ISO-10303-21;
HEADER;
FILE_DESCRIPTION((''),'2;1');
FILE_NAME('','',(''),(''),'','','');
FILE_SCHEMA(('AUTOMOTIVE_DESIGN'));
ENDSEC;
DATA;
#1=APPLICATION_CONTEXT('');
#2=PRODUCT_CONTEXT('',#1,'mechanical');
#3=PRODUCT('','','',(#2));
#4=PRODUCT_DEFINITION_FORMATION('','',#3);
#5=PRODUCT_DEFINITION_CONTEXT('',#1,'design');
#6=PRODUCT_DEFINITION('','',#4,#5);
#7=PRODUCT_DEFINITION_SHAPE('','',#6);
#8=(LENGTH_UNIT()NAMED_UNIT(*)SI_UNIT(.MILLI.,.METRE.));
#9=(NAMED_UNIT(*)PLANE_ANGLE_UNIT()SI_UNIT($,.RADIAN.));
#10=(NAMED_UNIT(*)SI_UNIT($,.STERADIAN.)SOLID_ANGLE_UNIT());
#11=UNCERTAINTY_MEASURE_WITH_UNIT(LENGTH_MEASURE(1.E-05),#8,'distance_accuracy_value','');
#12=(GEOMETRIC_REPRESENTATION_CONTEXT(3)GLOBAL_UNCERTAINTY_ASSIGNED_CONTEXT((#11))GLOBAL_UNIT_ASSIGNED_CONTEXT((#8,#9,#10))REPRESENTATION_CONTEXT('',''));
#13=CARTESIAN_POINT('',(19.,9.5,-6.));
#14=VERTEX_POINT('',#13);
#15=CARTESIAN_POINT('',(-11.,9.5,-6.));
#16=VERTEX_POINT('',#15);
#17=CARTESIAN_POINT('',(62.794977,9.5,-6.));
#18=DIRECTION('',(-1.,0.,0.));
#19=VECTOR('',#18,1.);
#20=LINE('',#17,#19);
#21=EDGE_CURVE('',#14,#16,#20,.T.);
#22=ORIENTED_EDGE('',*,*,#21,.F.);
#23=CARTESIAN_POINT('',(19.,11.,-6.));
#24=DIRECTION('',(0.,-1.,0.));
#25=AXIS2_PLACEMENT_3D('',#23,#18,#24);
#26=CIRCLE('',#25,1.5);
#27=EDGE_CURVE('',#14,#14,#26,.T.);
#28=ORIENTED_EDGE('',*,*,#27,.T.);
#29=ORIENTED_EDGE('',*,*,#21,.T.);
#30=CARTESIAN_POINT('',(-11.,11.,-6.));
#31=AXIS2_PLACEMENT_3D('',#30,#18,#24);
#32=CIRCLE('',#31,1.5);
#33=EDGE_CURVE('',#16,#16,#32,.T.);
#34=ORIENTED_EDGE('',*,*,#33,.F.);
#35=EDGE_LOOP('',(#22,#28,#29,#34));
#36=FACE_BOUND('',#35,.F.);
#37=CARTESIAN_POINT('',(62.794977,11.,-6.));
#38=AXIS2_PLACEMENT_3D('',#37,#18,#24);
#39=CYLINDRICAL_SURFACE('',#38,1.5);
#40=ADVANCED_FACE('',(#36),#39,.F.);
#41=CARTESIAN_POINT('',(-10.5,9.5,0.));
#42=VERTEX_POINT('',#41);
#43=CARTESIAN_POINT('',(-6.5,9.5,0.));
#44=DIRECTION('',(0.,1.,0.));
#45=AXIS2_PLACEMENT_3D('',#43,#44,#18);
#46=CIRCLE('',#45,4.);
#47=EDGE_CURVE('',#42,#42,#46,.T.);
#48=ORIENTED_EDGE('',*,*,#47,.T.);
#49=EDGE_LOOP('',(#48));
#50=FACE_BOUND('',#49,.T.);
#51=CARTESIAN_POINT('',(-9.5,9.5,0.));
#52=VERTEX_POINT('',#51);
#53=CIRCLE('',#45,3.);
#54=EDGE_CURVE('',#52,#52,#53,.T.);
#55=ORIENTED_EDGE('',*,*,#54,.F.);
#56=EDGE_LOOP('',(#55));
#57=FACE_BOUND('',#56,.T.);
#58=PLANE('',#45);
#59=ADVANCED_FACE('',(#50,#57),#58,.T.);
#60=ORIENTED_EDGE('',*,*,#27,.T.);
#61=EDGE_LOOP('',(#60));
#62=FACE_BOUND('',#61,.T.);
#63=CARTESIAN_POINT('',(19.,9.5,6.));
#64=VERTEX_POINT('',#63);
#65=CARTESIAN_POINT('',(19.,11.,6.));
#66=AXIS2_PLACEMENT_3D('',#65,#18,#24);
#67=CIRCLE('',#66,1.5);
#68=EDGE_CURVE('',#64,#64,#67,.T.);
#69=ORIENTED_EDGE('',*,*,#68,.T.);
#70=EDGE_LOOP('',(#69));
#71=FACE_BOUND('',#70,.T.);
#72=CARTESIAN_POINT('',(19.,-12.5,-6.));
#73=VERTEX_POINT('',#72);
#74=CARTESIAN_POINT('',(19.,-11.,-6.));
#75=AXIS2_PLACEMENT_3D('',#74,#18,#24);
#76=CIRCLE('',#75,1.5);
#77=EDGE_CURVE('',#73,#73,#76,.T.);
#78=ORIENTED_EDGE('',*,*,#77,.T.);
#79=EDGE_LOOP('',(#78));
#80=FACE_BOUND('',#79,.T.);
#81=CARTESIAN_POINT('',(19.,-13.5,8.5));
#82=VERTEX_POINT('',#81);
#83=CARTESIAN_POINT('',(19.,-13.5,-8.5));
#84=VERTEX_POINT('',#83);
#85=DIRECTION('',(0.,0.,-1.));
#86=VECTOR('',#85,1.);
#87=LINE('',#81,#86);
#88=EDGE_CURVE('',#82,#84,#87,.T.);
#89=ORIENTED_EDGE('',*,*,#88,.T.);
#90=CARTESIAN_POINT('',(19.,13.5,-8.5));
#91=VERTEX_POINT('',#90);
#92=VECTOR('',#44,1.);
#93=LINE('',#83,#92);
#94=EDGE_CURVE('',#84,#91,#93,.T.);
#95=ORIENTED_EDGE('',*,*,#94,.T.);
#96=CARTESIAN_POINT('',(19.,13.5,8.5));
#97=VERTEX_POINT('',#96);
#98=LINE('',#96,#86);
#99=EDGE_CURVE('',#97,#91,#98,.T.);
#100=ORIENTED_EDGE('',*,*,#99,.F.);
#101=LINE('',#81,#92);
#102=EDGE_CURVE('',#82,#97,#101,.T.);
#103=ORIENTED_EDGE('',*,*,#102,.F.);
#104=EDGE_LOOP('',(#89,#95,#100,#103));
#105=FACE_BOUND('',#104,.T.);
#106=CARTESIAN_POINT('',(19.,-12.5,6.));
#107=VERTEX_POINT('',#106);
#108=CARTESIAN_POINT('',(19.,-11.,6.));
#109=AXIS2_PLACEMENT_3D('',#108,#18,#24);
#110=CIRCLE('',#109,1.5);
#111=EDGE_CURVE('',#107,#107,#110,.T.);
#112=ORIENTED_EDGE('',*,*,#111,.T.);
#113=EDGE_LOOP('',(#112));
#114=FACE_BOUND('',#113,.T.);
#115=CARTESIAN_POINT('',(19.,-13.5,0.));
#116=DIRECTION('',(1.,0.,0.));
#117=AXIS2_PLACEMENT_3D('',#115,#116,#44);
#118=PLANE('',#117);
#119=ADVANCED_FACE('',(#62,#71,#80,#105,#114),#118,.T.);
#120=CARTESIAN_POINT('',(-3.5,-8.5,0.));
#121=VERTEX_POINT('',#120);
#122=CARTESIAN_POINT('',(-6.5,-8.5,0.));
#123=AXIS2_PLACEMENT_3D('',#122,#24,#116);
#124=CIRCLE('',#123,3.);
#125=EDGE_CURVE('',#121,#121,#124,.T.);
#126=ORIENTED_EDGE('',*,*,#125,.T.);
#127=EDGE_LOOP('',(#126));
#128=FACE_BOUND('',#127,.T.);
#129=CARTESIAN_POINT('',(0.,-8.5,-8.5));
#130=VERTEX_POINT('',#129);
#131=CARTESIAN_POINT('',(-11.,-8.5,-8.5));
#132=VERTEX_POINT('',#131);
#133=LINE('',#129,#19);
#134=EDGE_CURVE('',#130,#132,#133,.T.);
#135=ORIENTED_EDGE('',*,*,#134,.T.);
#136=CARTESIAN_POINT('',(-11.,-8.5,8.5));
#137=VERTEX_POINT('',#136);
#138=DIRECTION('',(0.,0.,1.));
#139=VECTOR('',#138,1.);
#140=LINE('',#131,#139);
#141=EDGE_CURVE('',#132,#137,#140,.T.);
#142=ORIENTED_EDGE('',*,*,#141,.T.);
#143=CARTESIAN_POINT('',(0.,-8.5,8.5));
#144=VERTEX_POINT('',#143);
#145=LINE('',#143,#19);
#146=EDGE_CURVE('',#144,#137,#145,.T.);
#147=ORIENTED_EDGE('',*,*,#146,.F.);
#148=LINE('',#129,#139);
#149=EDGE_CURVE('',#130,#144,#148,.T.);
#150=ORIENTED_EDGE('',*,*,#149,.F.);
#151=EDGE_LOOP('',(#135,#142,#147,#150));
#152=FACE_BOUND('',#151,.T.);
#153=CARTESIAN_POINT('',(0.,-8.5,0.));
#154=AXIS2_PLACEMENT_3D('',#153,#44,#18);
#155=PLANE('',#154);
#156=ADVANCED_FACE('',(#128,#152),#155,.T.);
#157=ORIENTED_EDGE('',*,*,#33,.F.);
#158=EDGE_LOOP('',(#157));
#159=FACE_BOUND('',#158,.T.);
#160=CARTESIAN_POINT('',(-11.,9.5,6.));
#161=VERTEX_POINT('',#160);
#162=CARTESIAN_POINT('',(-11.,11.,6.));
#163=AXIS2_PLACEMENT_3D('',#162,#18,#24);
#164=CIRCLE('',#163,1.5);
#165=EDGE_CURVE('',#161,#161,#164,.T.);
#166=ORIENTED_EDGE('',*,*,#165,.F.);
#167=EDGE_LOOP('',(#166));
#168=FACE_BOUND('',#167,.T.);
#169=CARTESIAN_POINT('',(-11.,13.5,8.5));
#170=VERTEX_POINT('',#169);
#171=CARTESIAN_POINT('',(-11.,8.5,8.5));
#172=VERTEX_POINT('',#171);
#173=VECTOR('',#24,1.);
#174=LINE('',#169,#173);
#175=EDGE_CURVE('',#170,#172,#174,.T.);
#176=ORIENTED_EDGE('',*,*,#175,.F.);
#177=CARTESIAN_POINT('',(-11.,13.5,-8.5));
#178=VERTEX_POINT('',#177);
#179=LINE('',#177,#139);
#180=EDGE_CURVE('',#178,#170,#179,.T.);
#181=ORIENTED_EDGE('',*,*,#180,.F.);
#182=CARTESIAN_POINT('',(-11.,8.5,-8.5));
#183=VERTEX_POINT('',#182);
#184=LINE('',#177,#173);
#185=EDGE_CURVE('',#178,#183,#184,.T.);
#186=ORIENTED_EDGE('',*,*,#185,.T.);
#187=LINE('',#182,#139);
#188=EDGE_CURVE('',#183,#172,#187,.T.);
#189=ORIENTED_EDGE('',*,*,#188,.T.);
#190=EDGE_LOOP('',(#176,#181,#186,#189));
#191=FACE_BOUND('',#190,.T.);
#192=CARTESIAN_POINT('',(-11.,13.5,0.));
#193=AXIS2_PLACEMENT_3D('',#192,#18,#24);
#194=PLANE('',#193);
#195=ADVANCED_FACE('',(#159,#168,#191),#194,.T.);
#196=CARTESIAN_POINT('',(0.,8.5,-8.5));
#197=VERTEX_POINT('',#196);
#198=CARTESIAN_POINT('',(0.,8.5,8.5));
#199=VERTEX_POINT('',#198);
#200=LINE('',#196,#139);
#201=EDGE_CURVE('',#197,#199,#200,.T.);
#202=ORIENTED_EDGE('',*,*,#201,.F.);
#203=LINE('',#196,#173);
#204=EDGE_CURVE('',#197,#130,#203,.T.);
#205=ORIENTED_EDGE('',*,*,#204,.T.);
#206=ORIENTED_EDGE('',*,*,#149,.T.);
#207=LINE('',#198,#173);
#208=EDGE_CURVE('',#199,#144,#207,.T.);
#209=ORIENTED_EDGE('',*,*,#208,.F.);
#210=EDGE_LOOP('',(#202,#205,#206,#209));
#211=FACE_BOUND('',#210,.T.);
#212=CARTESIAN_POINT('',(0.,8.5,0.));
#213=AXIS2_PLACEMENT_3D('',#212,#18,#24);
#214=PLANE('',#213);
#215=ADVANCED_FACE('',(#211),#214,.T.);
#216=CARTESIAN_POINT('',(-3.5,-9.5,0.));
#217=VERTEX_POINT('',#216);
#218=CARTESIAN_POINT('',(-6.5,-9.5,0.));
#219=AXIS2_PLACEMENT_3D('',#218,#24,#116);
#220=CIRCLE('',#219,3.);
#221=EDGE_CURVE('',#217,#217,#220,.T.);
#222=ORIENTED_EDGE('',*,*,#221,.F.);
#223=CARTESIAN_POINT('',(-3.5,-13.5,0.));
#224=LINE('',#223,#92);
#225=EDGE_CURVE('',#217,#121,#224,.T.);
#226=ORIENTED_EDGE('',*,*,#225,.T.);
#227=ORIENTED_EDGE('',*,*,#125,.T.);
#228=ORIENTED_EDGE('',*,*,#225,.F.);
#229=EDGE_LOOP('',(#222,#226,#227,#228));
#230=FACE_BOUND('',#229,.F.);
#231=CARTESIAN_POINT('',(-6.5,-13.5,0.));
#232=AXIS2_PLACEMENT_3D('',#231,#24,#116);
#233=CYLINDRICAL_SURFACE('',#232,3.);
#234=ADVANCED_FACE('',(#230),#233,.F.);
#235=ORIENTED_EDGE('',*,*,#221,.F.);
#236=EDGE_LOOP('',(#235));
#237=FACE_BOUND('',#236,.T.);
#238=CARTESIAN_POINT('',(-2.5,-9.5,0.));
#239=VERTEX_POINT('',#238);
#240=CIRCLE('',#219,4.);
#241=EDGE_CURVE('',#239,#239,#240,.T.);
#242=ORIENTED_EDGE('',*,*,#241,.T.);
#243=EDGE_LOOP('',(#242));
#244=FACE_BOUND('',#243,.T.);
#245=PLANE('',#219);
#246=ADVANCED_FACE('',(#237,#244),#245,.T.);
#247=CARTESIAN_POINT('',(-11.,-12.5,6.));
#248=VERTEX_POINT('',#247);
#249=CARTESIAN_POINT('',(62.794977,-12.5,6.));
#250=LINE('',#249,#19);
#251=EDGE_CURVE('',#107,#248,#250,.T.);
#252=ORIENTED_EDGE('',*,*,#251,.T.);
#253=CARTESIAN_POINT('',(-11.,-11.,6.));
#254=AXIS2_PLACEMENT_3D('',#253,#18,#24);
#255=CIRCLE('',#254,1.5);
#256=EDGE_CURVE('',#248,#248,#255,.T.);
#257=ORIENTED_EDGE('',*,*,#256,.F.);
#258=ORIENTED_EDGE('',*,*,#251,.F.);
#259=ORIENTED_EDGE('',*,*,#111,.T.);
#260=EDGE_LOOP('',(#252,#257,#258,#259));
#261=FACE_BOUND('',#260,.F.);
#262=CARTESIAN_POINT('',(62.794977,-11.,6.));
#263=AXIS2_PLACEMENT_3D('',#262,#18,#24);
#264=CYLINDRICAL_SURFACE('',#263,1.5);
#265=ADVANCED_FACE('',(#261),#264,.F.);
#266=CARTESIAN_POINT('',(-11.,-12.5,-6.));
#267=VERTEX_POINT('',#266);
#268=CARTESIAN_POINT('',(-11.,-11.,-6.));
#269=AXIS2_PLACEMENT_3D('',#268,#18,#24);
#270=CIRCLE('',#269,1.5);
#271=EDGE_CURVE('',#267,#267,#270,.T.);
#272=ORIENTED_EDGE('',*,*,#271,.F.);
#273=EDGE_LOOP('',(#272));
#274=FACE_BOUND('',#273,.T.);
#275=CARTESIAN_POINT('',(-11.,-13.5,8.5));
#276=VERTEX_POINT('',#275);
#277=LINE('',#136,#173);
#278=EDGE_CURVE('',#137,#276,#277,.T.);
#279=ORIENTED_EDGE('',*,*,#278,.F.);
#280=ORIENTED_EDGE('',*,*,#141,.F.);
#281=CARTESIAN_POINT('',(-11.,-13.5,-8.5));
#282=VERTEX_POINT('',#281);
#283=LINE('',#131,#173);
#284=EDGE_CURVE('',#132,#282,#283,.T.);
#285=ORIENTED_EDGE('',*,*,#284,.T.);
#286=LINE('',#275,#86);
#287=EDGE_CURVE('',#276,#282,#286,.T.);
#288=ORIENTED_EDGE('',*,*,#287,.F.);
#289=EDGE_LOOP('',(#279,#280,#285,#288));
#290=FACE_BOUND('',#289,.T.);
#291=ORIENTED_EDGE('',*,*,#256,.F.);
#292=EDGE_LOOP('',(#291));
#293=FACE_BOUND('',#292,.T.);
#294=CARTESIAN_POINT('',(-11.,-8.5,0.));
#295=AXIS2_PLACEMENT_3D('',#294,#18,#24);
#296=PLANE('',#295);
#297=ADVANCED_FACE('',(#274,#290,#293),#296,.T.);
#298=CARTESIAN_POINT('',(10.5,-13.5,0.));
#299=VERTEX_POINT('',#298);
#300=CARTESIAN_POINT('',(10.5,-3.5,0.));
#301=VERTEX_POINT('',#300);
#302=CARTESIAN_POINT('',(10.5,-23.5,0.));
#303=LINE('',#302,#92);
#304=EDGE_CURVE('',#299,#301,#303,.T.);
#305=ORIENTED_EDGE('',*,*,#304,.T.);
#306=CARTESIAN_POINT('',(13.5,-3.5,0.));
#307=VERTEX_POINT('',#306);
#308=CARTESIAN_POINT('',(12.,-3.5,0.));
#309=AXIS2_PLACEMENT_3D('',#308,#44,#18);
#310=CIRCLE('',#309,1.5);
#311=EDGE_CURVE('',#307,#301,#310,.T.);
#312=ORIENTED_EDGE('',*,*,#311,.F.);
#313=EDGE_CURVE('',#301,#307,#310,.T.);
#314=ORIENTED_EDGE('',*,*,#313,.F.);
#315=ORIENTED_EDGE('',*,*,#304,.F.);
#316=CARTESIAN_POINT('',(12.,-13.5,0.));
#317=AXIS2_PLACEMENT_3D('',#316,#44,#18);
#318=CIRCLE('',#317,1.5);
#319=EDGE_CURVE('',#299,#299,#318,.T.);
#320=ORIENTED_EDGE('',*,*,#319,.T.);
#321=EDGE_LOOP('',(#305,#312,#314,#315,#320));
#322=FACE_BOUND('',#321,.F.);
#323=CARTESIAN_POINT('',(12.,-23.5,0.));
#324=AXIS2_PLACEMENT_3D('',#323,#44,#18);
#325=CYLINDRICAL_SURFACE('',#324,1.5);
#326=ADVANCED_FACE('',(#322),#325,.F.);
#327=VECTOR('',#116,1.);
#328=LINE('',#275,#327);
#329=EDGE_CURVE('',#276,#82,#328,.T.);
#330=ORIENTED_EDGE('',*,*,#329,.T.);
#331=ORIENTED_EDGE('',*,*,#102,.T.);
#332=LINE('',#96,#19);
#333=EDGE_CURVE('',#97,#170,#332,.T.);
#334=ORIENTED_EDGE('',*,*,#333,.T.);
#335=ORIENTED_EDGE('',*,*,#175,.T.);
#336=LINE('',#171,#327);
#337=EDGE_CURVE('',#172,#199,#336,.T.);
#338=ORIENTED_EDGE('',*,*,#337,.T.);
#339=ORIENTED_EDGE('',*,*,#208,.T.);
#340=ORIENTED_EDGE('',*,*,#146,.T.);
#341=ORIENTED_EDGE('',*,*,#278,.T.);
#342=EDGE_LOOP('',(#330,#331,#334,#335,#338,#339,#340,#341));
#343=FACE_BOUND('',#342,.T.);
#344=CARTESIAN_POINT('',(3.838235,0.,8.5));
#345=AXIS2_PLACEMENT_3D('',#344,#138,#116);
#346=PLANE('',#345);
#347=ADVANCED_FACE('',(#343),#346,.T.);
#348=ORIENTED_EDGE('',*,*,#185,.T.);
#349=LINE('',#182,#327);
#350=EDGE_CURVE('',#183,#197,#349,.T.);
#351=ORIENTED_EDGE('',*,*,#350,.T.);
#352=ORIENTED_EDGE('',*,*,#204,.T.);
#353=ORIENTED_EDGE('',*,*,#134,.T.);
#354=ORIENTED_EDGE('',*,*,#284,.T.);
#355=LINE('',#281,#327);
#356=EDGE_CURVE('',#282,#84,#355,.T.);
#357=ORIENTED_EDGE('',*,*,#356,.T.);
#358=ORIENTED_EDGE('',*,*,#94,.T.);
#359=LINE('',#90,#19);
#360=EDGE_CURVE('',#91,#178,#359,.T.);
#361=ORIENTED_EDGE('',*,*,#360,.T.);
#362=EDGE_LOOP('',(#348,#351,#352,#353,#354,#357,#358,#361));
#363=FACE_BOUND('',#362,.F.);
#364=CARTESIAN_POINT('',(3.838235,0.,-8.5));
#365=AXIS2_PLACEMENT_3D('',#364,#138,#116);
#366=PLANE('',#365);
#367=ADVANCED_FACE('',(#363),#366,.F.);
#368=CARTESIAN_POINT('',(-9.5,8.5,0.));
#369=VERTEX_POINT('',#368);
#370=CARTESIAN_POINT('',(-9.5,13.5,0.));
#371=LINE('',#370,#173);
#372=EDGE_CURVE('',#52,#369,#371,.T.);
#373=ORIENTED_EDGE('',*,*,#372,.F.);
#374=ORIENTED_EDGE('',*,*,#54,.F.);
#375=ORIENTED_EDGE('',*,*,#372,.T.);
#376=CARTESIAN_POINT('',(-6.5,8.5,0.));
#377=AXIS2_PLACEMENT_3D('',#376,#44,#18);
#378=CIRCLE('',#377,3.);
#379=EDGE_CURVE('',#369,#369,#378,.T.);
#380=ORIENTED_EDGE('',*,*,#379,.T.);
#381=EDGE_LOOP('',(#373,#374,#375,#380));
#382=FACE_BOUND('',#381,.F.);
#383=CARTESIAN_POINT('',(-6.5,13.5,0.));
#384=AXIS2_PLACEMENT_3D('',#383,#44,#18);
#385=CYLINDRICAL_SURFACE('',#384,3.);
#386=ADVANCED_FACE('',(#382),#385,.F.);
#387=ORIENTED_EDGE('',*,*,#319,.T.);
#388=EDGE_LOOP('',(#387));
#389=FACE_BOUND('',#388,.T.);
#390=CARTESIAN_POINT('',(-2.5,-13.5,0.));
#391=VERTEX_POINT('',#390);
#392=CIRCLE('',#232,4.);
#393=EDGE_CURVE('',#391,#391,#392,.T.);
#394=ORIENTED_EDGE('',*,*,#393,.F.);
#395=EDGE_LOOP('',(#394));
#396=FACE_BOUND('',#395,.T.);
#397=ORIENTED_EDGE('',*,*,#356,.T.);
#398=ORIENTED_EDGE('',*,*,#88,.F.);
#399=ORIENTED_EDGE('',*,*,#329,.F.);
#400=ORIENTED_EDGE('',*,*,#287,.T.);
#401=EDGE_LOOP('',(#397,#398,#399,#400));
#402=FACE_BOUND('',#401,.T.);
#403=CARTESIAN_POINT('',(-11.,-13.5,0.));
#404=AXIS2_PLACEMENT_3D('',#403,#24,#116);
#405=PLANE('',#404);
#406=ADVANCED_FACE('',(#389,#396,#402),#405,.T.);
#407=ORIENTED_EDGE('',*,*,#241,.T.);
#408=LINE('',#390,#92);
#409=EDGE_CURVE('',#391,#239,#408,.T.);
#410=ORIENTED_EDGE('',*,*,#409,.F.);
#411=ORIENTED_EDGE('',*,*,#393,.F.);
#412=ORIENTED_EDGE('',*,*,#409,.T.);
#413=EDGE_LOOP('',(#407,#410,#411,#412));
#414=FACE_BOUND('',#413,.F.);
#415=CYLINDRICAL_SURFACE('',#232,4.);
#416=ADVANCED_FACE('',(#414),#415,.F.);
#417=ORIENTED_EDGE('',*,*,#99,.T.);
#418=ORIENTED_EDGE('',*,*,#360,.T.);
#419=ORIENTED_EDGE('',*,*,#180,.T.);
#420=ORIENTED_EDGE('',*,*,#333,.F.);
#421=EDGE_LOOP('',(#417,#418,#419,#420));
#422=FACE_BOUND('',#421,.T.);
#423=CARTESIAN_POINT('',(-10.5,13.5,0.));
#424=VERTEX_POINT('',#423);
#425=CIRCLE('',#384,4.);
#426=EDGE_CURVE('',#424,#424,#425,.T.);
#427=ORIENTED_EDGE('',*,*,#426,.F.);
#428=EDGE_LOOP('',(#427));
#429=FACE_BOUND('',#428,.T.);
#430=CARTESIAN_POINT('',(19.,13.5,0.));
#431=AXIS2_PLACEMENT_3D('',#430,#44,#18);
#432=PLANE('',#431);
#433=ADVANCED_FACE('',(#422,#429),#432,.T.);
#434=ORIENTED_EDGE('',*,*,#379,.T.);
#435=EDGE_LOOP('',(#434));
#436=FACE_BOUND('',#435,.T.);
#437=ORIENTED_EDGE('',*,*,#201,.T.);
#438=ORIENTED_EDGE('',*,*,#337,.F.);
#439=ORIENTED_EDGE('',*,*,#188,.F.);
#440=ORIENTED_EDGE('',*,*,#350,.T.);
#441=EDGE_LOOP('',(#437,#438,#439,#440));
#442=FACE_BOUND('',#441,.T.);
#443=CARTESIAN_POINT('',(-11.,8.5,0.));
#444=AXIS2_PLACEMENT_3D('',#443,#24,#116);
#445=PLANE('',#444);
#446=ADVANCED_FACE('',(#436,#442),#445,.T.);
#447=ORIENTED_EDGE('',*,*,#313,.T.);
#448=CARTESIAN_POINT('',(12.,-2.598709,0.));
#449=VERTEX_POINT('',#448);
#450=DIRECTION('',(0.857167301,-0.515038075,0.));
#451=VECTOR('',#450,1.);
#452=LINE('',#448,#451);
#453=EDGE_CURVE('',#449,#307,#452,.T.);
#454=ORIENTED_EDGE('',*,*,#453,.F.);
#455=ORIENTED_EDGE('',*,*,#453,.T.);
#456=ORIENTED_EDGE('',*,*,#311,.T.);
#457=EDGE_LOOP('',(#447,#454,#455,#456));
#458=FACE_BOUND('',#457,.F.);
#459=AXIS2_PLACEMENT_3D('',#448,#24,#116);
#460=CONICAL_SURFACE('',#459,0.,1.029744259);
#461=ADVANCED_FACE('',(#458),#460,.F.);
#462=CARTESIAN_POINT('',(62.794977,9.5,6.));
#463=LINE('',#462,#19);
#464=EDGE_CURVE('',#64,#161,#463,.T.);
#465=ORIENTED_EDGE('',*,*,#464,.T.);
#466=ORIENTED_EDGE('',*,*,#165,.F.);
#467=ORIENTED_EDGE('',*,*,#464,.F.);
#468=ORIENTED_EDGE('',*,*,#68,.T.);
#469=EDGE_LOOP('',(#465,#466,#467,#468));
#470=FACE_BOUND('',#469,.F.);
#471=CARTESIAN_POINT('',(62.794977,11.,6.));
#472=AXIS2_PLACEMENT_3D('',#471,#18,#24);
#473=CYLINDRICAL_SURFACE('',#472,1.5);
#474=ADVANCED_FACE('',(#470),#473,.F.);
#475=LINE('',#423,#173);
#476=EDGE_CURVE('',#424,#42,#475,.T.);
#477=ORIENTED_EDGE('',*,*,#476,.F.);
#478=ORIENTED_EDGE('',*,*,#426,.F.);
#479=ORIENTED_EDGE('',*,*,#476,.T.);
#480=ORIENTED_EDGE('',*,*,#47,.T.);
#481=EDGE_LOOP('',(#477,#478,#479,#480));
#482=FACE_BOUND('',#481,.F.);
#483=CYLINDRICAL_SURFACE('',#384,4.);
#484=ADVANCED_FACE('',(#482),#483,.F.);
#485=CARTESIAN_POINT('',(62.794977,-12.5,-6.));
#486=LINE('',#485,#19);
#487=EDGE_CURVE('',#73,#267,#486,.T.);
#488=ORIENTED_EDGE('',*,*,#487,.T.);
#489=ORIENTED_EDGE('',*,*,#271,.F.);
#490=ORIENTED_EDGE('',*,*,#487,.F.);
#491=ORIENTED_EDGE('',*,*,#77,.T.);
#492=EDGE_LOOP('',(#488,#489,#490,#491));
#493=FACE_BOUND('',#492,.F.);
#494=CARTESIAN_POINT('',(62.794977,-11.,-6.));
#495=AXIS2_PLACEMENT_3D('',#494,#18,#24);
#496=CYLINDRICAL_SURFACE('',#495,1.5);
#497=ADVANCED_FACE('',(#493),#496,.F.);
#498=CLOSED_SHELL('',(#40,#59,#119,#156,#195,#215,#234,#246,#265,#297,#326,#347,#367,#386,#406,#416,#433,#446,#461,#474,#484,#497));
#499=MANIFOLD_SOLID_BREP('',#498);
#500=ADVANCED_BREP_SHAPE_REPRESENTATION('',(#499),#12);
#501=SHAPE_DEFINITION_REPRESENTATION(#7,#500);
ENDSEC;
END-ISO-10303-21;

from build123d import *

# Parameters (mm, degrees)
F1_DEPTH  = 8.5
F2_R      = 3
F3_DEPTH  = 5
F2_R_2    = 4
F4_DEPTH  = 4
F5_R      = 3
F6_DEPTH  = 5
F5_R_2    = 4
F7_DEPTH  = 4
F9_D      = 3
F10_D     = 3
F10_DEPTH = 10
F10_TIP   = 0.9012909285


with BuildPart() as f1:
    # F0 (on Top) → F1 (new body, symmetric)
    with BuildSketch(Plane.XY):
        Polygon((19, 13.5), (-11, 13.5), (-11, 8.5), (0, 8.5), (0, -8.5), (-11, -8.5), (-11, -13.5), (19, -13.5), align=None)
    extrude(amount=F1_DEPTH, both=True)

    # F2 (on face) → F3 (cut, through all)
    with BuildSketch(Plane.XZ.offset(13.5)):
        with Locations((-6.5, 0)):
            Circle(F2_R)
    extrude(amount=-F3_DEPTH, mode=Mode.SUBTRACT)

    # F2 (on face) → F4 (cut)
    with BuildSketch(Plane.XZ.offset(13.5)):
        with Locations((-6.5, 0)):
            Circle(F2_R_2)
        with Locations((-6.5, 0)):
            Circle(F2_R, mode=Mode.SUBTRACT)
    extrude(amount=-F4_DEPTH, mode=Mode.SUBTRACT)

    # F5 (on face) → F6 (cut, through all)
    with BuildSketch(Plane(origin=(0, 13.5, 0), x_dir=(-1, 0, 0), z_dir=(0, 1, 0))):
        with Locations((6.5, 0)):
            Circle(F5_R)
    extrude(amount=-F6_DEPTH, mode=Mode.SUBTRACT)

    # F5 (on face) → F7 (cut)
    with BuildSketch(Plane(origin=(0, 13.5, 0), x_dir=(-1, 0, 0), z_dir=(0, 1, 0))):
        with Locations((6.5, 0)):
            Circle(F5_R_2)
        with Locations((6.5, 0)):
            Circle(F5_R, mode=Mode.SUBTRACT)
    extrude(amount=-F7_DEPTH, mode=Mode.SUBTRACT)

    # F9 (through all)
    with Locations(Plane.YZ.offset(19)):
        with Locations((-11, 6), (-11, -6), (11, -6), (11, 6)):
            Hole(F9_D / 2)

    # F10
    with Locations(Plane.XZ.offset(13.5)):
        with Locations((12, 0)):
            Hole(F10_D / 2, depth=F10_DEPTH)
            with Locations((0, 0, -(F10_DEPTH + F10_TIP / 2))):  # 118° drill point
                Cone(0, F10_D / 2, F10_TIP, mode=Mode.SUBTRACT)


solid = f1.part
